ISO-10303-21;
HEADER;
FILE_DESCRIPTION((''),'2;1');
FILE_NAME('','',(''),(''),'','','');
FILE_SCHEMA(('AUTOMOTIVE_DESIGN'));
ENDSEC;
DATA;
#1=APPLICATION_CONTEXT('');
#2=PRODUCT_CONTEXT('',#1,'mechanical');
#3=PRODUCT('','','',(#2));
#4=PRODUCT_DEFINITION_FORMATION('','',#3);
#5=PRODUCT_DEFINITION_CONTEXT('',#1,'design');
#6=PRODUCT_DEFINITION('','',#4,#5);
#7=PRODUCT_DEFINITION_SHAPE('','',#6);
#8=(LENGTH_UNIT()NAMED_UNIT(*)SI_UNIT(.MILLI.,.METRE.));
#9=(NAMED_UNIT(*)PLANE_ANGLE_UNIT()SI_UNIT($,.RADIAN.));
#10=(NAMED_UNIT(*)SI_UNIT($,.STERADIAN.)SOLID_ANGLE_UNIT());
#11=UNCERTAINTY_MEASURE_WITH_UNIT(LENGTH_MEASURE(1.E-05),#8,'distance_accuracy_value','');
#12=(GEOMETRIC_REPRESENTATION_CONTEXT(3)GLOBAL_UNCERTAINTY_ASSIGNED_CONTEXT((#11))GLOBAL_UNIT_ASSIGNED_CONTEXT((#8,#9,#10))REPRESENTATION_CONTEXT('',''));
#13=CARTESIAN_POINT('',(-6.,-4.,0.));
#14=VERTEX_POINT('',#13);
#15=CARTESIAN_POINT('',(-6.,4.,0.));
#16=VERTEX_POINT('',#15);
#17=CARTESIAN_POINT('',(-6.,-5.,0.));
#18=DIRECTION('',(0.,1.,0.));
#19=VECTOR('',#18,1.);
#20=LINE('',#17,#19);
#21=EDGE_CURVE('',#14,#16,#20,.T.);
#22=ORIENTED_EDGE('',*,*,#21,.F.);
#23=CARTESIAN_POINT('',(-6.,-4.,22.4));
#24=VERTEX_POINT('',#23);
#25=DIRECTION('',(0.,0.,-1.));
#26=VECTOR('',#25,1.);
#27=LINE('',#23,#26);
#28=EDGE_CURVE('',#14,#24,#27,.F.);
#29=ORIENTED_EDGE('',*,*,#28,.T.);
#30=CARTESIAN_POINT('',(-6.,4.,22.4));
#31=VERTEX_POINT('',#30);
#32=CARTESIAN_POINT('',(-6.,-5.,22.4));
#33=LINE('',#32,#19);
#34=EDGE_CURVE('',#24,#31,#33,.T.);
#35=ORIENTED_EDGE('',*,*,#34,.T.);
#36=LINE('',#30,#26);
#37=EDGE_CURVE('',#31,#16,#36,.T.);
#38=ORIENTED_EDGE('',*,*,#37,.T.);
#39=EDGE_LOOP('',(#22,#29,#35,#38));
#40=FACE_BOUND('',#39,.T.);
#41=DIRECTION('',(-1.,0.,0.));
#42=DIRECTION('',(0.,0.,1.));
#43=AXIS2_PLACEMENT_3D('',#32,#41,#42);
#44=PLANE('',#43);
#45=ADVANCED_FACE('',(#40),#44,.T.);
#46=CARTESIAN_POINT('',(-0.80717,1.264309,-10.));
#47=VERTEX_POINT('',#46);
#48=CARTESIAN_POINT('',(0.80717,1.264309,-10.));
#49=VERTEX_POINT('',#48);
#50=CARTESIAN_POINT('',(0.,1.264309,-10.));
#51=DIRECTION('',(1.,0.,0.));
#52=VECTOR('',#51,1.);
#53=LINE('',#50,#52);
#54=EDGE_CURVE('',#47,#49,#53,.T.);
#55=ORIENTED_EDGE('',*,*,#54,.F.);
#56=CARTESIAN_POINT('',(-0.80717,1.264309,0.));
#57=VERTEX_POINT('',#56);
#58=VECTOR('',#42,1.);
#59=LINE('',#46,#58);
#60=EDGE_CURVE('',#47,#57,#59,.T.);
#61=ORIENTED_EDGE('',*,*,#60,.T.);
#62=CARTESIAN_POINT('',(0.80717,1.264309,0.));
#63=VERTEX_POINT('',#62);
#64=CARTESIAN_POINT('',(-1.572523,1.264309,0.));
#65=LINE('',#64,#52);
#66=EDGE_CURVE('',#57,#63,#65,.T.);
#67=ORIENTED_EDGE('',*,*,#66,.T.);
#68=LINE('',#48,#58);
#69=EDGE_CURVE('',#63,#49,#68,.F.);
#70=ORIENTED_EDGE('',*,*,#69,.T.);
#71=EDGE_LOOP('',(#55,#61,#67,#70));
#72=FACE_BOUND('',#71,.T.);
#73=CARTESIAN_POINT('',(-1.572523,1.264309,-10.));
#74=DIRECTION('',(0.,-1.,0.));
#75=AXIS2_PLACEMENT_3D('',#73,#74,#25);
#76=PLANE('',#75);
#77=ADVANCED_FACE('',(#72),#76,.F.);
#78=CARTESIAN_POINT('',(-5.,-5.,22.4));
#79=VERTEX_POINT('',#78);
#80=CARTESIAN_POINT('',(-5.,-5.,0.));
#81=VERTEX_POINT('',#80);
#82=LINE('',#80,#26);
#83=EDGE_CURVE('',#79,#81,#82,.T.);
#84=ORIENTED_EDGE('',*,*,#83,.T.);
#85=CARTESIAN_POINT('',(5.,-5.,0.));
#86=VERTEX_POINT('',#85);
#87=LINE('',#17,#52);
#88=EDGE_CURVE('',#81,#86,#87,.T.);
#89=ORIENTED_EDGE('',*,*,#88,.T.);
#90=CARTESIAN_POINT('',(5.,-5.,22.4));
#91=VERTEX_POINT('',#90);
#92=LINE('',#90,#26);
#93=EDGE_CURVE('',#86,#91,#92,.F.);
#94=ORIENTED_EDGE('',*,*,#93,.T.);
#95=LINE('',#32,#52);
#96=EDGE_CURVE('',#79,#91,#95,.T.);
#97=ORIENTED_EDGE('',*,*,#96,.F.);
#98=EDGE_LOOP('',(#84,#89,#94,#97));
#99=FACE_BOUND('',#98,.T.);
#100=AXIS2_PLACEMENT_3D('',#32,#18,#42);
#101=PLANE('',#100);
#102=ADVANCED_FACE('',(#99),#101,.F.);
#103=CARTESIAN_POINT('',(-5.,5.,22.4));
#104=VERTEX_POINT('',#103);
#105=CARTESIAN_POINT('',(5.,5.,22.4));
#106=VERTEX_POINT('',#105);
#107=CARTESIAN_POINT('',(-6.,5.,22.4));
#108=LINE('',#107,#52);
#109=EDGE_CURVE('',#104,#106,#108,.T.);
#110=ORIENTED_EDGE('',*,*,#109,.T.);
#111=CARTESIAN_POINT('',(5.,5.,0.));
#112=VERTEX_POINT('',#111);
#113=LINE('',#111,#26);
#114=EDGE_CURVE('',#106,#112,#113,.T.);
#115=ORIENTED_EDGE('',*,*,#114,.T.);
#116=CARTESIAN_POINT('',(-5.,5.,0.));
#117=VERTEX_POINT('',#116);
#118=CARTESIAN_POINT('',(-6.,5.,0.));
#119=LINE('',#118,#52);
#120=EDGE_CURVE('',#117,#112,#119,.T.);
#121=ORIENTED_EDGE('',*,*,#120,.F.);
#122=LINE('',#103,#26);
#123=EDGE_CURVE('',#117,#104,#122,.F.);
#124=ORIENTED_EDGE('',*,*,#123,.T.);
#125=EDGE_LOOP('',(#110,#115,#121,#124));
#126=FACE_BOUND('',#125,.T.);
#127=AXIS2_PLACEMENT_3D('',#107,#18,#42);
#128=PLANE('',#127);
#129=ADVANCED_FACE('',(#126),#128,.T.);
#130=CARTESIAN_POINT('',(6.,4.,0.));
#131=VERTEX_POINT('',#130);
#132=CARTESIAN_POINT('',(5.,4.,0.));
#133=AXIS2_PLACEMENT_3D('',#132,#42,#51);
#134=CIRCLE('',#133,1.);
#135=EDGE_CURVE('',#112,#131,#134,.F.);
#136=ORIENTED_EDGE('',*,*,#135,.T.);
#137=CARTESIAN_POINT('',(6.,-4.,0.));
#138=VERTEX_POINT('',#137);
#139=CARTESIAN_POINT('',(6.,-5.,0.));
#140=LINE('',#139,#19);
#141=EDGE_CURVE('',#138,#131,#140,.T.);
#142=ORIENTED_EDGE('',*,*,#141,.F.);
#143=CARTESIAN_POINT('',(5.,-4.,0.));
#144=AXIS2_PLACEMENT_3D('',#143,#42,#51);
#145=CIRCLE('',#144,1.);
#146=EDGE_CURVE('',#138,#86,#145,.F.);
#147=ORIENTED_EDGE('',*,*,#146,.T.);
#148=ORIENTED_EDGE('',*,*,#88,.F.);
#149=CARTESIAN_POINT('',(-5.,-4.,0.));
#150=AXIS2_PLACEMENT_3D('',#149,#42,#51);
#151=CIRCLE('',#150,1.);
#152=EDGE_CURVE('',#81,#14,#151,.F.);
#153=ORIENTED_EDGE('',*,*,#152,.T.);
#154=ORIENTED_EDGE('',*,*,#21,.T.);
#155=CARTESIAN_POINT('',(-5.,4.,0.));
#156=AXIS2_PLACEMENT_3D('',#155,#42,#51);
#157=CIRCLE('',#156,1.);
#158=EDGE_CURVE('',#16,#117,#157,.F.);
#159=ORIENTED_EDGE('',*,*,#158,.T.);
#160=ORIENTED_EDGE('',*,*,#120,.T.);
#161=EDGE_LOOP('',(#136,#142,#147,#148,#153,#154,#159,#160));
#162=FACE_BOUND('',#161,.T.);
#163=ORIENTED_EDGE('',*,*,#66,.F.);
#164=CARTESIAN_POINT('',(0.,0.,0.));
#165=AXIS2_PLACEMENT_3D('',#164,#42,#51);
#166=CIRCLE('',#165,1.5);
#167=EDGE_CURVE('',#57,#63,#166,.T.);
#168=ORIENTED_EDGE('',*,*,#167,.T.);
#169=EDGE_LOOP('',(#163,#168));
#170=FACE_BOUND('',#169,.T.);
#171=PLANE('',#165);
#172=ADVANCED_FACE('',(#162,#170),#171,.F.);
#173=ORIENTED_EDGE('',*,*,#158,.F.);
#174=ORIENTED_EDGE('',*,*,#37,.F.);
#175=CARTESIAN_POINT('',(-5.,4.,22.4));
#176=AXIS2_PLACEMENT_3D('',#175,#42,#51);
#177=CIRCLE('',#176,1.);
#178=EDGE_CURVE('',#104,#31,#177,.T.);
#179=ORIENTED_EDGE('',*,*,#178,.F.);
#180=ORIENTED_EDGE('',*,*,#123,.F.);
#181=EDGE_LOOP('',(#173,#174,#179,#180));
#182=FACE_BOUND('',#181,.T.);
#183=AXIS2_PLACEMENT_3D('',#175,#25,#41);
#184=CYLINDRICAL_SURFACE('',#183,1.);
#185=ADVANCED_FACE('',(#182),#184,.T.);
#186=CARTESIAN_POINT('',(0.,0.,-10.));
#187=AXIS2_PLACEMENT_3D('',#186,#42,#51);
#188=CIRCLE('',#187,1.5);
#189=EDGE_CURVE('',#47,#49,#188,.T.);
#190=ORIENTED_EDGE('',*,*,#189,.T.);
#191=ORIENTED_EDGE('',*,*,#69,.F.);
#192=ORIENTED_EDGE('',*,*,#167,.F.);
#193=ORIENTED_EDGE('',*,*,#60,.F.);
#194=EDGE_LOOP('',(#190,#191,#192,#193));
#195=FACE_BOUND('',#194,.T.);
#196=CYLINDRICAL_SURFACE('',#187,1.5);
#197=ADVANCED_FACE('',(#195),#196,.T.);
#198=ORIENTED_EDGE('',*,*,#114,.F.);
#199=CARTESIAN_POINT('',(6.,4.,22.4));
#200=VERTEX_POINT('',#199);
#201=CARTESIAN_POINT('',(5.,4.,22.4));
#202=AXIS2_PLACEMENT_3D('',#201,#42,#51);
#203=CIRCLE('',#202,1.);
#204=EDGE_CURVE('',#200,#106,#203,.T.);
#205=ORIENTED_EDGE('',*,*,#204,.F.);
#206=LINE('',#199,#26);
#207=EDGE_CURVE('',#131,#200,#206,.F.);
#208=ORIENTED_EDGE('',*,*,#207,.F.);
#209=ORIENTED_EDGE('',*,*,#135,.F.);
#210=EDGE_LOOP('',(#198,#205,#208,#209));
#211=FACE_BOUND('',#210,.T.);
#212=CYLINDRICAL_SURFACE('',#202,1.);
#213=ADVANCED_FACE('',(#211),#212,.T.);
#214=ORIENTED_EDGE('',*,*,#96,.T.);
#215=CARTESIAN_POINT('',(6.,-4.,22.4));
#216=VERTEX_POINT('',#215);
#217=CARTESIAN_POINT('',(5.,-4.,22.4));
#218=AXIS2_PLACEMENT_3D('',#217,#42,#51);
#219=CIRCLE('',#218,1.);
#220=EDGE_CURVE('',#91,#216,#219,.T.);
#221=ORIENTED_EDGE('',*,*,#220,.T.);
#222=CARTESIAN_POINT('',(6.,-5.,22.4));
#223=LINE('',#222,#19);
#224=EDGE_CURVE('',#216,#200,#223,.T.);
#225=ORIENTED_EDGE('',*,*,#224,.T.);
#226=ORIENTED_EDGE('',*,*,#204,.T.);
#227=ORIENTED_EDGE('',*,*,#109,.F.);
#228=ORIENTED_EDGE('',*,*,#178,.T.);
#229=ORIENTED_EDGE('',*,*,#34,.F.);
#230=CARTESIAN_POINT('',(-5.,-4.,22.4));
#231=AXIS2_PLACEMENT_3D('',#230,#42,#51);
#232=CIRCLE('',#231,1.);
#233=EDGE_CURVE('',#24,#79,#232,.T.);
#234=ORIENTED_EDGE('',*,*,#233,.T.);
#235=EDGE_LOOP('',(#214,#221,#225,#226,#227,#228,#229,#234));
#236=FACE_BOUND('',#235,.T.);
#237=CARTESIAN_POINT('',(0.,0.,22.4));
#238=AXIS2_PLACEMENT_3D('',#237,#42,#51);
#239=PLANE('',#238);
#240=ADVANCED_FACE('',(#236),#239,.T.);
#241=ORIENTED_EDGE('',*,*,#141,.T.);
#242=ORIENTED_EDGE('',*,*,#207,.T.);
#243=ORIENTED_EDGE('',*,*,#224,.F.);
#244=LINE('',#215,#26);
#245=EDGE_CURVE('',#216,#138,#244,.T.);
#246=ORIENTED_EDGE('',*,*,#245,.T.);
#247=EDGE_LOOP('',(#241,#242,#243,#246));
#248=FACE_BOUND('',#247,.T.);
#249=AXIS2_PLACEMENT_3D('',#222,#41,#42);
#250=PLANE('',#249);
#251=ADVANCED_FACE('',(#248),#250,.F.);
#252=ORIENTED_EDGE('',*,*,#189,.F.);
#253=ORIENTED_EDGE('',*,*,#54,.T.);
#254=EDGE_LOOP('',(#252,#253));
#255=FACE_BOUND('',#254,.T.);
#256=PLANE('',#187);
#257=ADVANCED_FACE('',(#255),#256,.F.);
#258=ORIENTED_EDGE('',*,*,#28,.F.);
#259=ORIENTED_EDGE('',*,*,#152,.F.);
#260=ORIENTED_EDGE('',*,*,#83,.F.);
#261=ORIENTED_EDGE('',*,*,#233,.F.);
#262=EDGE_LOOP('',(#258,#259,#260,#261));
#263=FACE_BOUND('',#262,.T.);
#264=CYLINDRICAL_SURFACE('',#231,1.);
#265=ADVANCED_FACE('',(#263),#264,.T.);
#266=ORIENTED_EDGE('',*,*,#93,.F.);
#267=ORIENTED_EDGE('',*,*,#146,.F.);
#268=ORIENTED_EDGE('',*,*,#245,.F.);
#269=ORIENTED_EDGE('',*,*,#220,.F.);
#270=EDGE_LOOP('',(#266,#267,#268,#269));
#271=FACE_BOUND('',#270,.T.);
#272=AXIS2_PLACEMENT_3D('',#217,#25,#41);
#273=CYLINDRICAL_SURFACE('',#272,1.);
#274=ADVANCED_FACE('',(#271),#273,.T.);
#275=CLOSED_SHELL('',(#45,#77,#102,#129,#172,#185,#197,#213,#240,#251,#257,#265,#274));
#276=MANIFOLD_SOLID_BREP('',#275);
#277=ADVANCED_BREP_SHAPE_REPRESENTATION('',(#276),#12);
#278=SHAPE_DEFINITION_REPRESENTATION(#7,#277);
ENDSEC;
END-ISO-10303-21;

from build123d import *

# Parameters (mm, degrees)
SKETCH_1_W          = 12
SKETCH_1_H          = 10
EXTRUDE_1_DEPTH     = 22.4
SKETCH_2_R          = 1.5
EXTRUDE_2_DEPTH     = 10
FILLET_1_R          = 1
FILLET_2_R          = 1
CUT_EXTRUDE_1_DEPTH = 10


with BuildPart() as part:
    # ｽｹｯﾁ1 → ﾎﾞｽ - 押し出し1 (new body)
    with BuildSketch(Plane.XY):
        Rectangle(SKETCH_1_W, SKETCH_1_H)
    extrude(amount=EXTRUDE_1_DEPTH)

    # ｽｹｯﾁ2 → ﾎﾞｽ - 押し出し2 (add)
    with BuildSketch(Plane.XY):
        Circle(SKETCH_2_R)
    extrude(amount=-EXTRUDE_2_DEPTH)

    # ﾌｨﾚｯﾄ1
    fillet_1_edges = [part.edges().sort_by_distance(p)[0] for p in [
        (-6, 5, 11.2),
    ]]
    fillet(fillet_1_edges, radius=FILLET_1_R)

    # ﾌｨﾚｯﾄ2
    fillet_2_edges = [part.edges().sort_by_distance(p)[0] for p in [
        (-6, -5, 11.2),
        (6, 5, 11.2),
        (6, -5, 11.2),
    ]]
    fillet(fillet_2_edges, radius=FILLET_2_R)

    # ｽｹｯﾁ3 → ｶｯﾄ - 押し出し1 (cut)
    with BuildSketch(Plane.XY):
        Polygon((0, 1.5), (-1.572523441, 1.5), (-1.572523441, 1.264308846), (1.824127191, 1.264308846), (1.824127191, 1.5), align=None)
    extrude(amount=-CUT_EXTRUDE_1_DEPTH, mode=Mode.SUBTRACT)


solid = part.part
